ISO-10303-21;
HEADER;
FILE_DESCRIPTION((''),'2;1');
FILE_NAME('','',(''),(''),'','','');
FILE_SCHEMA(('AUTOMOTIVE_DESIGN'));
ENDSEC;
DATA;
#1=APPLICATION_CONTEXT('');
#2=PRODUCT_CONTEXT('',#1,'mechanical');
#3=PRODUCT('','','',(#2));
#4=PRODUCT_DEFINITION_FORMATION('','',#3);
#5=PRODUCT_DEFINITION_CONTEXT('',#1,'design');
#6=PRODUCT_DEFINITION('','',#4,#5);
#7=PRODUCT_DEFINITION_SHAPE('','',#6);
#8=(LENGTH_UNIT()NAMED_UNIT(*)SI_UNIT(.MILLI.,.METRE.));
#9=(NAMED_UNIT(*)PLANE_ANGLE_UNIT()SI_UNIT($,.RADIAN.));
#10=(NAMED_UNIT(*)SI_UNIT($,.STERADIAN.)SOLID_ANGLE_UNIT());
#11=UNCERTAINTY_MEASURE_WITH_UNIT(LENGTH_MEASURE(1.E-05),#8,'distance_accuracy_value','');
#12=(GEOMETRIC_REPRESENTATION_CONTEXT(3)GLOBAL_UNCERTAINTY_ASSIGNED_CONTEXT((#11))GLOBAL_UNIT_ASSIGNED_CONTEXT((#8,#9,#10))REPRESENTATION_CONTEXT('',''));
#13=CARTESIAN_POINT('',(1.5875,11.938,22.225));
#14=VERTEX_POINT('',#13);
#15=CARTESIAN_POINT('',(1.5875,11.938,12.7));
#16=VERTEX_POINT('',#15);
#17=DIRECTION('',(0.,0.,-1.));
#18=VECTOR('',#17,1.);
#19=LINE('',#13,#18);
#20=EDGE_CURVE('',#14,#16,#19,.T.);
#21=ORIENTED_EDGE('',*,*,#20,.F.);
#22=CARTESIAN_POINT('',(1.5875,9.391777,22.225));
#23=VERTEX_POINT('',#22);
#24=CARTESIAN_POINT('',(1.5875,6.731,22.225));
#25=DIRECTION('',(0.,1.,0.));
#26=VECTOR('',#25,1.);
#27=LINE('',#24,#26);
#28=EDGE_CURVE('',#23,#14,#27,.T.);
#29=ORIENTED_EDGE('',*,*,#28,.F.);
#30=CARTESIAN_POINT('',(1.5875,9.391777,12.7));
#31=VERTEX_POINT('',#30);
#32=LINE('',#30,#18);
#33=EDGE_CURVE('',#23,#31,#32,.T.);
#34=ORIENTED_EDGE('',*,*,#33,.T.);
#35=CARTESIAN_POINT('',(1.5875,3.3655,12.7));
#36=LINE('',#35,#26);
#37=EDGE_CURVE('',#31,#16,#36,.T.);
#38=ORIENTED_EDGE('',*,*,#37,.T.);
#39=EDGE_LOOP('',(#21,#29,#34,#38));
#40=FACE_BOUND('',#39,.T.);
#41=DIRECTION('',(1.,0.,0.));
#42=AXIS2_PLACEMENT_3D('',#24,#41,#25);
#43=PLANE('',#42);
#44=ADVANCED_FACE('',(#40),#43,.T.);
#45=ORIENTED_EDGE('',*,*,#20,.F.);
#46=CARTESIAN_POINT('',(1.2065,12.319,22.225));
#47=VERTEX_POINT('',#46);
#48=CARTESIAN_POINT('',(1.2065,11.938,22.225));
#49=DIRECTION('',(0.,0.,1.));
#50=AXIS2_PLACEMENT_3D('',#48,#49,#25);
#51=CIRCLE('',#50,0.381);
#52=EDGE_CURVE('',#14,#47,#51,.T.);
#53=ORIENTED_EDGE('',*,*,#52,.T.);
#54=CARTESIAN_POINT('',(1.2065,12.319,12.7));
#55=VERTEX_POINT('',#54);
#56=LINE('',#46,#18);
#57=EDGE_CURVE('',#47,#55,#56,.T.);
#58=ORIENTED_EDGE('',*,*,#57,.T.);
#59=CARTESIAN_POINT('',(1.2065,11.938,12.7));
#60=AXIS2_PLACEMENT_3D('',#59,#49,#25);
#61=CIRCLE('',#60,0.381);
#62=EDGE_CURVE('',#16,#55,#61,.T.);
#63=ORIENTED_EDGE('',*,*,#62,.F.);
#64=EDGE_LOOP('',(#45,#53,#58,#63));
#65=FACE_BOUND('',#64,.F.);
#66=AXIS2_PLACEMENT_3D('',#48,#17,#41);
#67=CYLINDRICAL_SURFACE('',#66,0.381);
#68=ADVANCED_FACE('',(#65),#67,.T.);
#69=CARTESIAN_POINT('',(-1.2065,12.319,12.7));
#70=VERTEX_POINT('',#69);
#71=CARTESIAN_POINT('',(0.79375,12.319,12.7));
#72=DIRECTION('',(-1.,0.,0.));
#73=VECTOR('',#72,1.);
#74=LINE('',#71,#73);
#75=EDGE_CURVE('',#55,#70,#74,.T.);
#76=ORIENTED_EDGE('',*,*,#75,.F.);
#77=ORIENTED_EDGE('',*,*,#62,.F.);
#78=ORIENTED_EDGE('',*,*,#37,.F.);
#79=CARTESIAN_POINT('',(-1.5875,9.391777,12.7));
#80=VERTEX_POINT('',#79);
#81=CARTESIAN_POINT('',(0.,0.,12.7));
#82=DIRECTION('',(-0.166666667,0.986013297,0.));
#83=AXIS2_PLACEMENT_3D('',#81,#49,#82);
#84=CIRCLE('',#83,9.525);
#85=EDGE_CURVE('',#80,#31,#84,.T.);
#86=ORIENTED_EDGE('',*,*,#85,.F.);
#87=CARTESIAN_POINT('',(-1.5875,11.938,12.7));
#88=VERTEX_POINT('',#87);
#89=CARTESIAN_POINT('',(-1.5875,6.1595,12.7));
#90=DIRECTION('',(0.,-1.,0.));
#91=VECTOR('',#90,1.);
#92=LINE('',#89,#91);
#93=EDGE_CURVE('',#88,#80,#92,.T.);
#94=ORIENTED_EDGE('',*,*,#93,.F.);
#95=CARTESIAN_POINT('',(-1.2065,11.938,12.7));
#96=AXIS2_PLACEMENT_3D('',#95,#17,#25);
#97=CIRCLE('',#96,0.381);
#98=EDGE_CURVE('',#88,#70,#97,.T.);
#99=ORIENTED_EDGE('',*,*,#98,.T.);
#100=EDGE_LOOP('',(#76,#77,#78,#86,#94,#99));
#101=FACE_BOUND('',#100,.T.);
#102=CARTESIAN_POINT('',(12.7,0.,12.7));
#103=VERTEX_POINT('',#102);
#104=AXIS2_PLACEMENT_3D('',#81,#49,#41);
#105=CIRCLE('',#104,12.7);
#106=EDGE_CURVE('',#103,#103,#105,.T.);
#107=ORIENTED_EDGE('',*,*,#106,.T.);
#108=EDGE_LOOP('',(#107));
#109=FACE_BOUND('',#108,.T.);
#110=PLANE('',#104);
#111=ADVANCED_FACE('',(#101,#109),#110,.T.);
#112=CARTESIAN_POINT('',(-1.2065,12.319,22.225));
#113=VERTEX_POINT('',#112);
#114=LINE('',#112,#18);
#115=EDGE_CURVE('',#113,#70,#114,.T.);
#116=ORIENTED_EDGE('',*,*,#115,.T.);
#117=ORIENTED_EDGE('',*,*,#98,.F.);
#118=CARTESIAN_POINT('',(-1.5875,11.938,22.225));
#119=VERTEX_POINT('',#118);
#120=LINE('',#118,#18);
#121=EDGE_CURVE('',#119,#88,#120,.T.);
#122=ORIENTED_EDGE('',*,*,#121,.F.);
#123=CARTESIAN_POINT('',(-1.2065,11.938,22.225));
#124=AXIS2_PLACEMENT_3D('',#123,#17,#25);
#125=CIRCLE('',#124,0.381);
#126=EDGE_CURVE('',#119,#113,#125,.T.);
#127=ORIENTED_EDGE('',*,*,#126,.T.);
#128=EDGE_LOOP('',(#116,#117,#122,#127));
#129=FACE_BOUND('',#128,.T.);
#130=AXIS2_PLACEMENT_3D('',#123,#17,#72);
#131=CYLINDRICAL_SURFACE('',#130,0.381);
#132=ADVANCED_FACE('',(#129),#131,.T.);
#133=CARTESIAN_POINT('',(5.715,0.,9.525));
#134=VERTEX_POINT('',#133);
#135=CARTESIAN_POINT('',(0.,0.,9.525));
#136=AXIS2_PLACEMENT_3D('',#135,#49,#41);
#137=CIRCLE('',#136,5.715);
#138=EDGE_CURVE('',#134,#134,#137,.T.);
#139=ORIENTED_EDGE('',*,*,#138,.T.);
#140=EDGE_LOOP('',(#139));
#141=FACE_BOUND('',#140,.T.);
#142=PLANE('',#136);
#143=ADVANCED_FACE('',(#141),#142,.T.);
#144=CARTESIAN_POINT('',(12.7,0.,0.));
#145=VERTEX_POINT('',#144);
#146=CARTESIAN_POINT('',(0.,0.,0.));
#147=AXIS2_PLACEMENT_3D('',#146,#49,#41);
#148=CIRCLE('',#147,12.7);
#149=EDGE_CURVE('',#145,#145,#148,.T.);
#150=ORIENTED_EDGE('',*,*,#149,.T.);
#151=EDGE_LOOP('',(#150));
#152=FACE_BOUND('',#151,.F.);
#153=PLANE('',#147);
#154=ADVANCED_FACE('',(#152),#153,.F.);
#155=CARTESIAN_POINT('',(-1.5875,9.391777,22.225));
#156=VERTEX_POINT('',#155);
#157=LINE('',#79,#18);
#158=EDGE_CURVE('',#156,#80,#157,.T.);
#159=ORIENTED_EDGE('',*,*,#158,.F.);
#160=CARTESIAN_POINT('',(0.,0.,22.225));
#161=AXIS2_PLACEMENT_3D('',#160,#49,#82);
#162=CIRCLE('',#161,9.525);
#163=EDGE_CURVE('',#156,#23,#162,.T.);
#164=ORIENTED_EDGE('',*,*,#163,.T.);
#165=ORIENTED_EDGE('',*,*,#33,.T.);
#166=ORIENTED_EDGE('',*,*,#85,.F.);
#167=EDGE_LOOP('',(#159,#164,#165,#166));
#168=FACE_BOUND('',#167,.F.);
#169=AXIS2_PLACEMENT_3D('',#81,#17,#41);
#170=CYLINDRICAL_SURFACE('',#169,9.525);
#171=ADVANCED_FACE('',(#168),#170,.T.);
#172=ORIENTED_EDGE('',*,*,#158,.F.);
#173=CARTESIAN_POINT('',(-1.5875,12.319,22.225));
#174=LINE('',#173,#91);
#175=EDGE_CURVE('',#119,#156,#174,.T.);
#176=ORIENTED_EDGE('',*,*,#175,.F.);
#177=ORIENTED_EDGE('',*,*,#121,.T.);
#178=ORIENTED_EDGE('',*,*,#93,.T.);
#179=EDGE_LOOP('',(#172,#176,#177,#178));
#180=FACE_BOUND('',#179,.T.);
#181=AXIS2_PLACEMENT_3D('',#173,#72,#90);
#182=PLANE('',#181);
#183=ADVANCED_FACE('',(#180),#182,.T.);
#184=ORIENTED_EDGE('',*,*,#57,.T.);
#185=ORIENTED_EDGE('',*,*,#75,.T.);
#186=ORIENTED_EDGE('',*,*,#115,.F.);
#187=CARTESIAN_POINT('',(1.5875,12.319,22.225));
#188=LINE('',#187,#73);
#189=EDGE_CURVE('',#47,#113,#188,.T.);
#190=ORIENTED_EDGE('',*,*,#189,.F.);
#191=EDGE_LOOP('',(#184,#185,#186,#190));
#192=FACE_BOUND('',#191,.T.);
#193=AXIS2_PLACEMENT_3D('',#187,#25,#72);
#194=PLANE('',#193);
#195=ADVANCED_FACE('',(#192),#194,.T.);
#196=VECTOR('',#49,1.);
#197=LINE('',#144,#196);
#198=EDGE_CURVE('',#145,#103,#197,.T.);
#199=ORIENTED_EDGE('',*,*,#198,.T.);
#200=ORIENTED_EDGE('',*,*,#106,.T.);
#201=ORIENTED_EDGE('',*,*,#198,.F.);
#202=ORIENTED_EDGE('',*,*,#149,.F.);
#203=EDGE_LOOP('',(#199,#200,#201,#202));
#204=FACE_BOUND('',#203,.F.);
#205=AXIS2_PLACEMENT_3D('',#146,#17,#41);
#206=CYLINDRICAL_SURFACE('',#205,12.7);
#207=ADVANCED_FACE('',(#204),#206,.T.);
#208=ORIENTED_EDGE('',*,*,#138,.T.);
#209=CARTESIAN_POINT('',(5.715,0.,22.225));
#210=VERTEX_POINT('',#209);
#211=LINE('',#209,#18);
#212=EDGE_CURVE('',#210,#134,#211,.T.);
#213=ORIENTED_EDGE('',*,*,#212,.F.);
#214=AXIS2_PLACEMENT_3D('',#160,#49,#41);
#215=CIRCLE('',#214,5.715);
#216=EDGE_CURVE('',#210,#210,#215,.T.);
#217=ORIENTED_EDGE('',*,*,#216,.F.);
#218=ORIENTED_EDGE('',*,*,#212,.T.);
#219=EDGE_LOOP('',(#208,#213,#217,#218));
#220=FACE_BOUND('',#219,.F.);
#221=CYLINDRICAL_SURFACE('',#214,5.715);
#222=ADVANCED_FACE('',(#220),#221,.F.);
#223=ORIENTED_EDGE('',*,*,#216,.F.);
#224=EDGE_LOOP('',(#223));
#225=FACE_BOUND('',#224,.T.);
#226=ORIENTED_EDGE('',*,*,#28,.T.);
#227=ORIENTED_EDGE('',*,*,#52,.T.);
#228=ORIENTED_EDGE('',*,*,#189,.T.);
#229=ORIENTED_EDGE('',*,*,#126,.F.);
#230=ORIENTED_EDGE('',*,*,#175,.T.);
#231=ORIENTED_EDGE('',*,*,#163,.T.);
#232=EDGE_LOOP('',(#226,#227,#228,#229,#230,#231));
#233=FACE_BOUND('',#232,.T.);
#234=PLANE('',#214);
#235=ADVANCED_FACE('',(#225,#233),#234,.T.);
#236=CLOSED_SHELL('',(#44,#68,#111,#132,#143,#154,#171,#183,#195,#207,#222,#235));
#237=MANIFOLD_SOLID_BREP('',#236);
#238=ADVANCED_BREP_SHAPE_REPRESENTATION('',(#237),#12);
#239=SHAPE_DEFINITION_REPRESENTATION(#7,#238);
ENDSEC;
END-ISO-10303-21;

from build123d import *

# Parameters (mm, degrees)
F0_R     = 12.7
F1_DEPTH = 12.7
F2_R     = 9.525
F3_DEPTH = 9.525
F5_DEPTH = 10.16
F6_R     = 5.715
F7_DEPTH = 12.7
F8_R     = 0.381


with BuildPart() as f1:
    # F0 (on Top) → F1 (new body)
    with BuildSketch(Plane.XY):
        Circle(F0_R)
    extrude(amount=F1_DEPTH)

    # F2 (on face) → F3 (join)
    with BuildSketch(Plane.XY.offset(12.7)):
        Circle(F2_R)
    extrude(amount=F3_DEPTH)

    # F4 (on face) → F5 (join)
    with BuildSketch(Plane.XY.offset(22.225)):
        with BuildLine():
            Line((-1.5875, 9.391777), (-1.5875, 6.731))
            Line((-1.5875, 6.731), (1.5875, 6.731))
            Line((1.5875, 6.731), (1.5875, 9.391777))
            ThreePointArc((1.5875, 9.391777), (0, 9.525), (-1.5875, 9.391777))
        make_face()
        with BuildLine():
            Line((-1.5875, 12.319), (-1.5875, 9.391777))
            ThreePointArc((-1.5875, 9.391777), (0, 9.525), (1.5875, 9.391777))
            Line((1.5875, 9.391777), (1.5875, 12.319))
            Line((1.5875, 12.319), (-1.5875, 12.319))
        make_face()
    extrude(amount=-F5_DEPTH)

    # F6 (on face) → F7 (cut)
    with BuildSketch(Plane.XY.offset(22.225)):
        Circle(F6_R)
    extrude(amount=-F7_DEPTH, mode=Mode.SUBTRACT)

    # F8
    f8_edges = [f1.edges().sort_by_distance(p)[0] for p in [
        (1.5875, 12.319, 17.4625),
        (-1.5875, 12.319, 17.4625),
    ]]
    fillet(f8_edges, radius=F8_R)


solid = f1.part
